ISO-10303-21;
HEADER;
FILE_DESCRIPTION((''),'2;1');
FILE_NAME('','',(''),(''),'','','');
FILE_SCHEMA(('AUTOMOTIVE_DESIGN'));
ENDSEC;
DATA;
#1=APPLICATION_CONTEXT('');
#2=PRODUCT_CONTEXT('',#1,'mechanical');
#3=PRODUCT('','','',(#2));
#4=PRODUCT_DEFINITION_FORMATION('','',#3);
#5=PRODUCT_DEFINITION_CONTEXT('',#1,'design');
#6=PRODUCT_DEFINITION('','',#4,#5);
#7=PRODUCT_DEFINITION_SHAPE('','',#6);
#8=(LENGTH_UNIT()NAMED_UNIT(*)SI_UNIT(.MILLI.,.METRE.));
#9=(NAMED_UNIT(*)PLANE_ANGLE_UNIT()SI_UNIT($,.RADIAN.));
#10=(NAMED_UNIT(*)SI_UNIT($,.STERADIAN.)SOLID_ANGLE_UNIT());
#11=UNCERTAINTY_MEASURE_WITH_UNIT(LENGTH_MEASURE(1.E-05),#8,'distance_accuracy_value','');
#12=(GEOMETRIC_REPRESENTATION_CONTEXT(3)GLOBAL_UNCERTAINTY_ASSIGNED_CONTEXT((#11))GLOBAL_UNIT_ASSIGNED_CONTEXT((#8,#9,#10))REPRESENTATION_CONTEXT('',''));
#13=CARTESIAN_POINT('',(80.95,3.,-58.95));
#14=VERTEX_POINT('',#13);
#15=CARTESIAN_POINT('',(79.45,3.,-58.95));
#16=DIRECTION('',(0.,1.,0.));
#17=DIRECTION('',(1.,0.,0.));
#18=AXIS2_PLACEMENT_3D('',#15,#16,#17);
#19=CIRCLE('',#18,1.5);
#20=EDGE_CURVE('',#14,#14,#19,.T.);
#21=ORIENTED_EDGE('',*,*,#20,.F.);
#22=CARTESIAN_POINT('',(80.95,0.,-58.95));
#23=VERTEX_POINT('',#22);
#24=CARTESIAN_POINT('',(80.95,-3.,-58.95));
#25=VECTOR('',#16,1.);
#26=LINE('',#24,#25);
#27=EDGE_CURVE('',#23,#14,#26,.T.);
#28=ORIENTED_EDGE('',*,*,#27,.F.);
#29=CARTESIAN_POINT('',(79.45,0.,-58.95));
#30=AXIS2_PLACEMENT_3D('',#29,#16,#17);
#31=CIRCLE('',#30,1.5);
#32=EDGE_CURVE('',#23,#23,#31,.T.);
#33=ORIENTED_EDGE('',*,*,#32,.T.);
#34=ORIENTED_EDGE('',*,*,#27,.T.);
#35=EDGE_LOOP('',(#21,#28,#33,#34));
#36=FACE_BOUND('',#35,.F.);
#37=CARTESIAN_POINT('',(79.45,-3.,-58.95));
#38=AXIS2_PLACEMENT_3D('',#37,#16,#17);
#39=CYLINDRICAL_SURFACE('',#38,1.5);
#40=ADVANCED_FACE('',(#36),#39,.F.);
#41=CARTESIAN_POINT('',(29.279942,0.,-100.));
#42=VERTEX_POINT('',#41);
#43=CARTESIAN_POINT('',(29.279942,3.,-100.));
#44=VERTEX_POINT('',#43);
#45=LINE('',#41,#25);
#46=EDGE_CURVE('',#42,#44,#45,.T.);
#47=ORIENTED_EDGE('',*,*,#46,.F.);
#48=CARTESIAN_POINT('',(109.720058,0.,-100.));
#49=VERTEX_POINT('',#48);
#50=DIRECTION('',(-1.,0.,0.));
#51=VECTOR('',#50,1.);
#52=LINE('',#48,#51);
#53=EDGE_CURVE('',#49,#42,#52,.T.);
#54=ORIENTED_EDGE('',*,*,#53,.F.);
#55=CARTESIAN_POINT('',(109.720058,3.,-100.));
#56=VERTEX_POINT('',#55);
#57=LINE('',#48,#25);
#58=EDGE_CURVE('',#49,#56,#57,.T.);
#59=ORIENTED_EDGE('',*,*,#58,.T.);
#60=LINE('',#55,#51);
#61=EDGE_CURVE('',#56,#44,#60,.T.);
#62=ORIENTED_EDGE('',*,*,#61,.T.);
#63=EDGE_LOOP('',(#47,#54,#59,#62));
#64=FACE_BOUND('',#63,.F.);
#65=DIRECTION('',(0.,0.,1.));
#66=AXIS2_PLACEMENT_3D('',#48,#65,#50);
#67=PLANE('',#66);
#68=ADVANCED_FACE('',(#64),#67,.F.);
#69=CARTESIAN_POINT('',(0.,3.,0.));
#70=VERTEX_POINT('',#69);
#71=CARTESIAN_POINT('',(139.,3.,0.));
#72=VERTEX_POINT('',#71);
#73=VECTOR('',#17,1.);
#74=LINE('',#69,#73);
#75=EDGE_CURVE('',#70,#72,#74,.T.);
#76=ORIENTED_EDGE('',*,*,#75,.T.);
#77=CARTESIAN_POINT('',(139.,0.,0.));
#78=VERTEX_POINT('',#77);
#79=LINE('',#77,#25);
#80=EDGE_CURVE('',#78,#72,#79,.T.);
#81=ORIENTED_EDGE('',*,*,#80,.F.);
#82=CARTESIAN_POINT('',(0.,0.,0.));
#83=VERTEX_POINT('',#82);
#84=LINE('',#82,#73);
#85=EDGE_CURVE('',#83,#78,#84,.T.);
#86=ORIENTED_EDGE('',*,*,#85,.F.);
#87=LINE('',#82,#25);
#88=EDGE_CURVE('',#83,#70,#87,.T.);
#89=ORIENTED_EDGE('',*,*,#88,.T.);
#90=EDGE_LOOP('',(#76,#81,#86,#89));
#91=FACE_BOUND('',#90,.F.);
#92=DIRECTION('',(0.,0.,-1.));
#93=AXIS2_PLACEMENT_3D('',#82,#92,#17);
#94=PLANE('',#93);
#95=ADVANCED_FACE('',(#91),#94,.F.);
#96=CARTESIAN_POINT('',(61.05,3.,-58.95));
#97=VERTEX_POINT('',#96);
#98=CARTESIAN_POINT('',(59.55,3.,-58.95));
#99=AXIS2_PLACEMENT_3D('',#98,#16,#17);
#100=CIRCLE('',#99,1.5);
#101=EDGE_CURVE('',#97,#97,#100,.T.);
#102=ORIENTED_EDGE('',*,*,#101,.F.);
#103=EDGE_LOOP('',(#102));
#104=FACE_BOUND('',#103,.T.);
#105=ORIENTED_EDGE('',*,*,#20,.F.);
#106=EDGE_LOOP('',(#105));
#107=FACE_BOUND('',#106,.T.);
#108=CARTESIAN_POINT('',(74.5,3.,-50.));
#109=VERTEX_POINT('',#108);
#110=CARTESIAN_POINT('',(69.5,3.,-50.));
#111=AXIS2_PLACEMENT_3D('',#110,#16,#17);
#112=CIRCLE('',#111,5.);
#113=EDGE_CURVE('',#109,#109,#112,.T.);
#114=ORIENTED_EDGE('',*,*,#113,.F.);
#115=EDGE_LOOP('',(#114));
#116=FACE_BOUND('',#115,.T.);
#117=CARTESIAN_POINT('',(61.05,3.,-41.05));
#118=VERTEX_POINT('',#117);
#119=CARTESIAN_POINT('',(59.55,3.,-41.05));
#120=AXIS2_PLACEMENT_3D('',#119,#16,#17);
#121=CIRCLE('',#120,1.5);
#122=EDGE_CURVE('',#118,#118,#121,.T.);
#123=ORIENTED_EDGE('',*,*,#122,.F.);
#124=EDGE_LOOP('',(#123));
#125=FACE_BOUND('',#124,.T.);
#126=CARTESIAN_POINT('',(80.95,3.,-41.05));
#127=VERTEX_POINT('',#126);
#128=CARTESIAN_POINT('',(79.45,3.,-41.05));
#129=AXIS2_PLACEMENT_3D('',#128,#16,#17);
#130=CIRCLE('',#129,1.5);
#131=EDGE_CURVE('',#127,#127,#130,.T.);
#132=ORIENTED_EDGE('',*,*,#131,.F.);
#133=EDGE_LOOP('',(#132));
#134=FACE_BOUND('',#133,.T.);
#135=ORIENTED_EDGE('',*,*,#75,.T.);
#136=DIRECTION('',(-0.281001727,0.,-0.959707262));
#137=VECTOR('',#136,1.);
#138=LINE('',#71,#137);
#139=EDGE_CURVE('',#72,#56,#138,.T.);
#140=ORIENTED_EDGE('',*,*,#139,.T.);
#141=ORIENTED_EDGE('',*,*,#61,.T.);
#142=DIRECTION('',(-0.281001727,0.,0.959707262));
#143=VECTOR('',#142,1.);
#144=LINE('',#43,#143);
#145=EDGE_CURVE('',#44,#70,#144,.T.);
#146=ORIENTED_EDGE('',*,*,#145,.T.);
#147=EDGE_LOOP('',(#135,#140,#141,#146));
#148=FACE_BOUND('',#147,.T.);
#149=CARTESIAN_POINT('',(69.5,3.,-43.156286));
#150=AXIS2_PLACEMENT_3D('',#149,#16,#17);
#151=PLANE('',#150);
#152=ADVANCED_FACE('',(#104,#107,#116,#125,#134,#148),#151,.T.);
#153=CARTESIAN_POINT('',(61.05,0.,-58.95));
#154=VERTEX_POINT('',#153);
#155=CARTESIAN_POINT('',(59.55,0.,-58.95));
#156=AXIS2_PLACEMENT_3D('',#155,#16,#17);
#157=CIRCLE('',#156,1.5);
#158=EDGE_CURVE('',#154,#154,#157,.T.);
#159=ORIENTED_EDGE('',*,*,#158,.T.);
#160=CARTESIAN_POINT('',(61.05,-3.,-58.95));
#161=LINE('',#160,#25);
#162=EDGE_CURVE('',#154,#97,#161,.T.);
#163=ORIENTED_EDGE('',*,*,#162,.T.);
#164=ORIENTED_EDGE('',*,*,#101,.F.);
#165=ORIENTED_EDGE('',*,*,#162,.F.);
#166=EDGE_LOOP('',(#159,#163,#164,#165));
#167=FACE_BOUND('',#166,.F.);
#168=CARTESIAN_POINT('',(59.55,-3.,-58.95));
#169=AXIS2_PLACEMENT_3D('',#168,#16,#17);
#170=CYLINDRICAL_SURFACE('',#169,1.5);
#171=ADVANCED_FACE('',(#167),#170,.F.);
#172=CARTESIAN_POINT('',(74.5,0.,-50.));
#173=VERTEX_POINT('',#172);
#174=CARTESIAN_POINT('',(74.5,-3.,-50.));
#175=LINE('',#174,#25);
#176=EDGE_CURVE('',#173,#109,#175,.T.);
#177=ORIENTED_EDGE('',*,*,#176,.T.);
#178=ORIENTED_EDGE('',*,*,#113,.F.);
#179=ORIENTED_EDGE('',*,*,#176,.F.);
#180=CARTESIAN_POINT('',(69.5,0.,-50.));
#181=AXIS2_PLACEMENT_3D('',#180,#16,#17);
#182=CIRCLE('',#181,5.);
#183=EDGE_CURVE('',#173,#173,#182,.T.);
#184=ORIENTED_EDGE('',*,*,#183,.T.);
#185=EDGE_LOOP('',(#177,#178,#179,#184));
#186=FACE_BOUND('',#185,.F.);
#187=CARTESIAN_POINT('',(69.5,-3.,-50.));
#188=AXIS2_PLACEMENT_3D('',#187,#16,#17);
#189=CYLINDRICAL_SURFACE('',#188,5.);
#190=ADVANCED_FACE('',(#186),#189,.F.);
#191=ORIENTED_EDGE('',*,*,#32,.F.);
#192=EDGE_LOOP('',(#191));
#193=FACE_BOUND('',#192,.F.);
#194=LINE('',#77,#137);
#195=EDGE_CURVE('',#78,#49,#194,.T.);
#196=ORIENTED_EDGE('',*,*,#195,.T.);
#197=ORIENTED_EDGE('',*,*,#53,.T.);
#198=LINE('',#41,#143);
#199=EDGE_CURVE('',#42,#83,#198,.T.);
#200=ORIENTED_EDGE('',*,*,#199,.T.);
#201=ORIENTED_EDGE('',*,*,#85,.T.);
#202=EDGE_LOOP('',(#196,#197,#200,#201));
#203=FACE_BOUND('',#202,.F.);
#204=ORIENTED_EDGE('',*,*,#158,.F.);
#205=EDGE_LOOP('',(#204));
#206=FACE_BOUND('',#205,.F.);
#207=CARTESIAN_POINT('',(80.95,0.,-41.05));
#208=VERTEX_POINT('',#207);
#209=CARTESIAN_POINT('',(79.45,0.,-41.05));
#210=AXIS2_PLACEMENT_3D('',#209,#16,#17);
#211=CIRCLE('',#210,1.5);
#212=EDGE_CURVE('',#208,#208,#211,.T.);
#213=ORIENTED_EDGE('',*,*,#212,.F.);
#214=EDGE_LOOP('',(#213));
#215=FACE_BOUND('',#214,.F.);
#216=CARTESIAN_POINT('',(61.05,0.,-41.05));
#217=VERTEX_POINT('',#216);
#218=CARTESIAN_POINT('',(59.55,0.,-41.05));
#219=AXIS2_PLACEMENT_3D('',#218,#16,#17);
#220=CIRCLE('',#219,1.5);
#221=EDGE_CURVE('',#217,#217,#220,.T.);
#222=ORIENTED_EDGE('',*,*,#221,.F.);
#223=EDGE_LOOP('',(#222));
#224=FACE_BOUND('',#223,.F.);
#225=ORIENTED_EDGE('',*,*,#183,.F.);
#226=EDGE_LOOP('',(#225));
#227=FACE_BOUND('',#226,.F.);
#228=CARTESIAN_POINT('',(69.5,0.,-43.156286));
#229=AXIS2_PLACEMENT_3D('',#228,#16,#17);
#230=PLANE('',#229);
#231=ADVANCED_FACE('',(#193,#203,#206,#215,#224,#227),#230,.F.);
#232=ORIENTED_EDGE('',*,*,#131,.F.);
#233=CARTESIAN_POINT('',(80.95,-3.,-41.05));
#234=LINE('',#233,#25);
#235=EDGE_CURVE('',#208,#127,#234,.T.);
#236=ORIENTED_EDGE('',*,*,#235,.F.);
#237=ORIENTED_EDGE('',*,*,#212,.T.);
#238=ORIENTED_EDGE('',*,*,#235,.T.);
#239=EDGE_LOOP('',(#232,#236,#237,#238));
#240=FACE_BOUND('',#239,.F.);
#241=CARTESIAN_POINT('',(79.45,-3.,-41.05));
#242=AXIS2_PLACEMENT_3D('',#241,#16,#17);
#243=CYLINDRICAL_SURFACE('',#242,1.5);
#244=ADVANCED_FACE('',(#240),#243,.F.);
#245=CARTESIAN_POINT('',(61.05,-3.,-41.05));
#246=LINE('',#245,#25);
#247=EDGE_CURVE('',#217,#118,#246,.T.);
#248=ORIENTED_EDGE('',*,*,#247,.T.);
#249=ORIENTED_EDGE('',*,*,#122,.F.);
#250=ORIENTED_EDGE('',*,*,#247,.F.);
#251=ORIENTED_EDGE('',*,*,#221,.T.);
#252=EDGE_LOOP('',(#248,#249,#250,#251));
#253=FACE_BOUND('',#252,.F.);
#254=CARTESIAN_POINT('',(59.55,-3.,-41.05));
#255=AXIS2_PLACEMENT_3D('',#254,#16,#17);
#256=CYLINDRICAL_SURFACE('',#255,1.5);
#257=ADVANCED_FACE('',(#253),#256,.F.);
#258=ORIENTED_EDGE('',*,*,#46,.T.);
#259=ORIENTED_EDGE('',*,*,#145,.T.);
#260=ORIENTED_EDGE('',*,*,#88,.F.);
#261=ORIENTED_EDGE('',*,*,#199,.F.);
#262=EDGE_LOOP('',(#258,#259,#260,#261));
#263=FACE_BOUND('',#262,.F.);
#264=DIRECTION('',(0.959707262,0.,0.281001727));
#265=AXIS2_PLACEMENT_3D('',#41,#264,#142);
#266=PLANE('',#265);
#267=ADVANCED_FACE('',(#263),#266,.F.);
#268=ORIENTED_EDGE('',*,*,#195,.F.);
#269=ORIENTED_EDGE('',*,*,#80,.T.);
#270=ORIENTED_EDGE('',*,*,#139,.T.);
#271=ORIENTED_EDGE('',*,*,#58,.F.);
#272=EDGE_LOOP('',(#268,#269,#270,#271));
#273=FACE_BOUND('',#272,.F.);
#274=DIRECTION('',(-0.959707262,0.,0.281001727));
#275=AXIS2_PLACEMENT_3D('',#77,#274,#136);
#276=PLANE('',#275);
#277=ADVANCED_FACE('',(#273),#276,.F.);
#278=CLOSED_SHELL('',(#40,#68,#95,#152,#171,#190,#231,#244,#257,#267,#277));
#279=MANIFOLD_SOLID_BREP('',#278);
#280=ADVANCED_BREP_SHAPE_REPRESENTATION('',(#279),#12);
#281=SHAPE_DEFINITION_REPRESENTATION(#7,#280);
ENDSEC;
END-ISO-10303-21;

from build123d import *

# Parameters (mm, degrees)
BOSS_EXTRUDE1_DEPTH        = 3
F_10_0MM_DOWEL_HOLE1_D     = 10
F_10_0MM_DOWEL_HOLE1_DEPTH = 3
F_3_0MM_DOWEL_HOLE1_D      = 3
F_3_0MM_DOWEL_HOLE1_DEPTH  = 3


with BuildPart() as part:
    # Sketch1 → Boss-Extrude1 (new body)
    with BuildSketch(Plane(origin=(0, 0, 0), x_dir=(1, 0, 0), z_dir=(0, 1, 0))):
        Polygon((0, 0), (139, 0), (109.720058283, 100), (29.279941717, 100), align=None)
    extrude(amount=BOSS_EXTRUDE1_DEPTH)

    # Ø10.0mm Dowel Hole1
    with Locations(Plane(origin=(0, 0, 0), x_dir=(-1, 0, 0), z_dir=(0, -1, 0))):
        with Locations((-69.5, 50)):
            Hole(F_10_0MM_DOWEL_HOLE1_D / 2, depth=F_10_0MM_DOWEL_HOLE1_DEPTH)

    # Ø3.0mm Dowel Hole1
    with Locations(Plane(origin=(0, 0, 0), x_dir=(-1, 0, 0), z_dir=(0, -1, 0))):
        with Locations((-59.55, 41.05), (-79.45, 41.05), (-79.45, 58.95), (-59.55, 58.95)):
            Hole(F_3_0MM_DOWEL_HOLE1_D / 2, depth=F_3_0MM_DOWEL_HOLE1_DEPTH)


solid = part.part
